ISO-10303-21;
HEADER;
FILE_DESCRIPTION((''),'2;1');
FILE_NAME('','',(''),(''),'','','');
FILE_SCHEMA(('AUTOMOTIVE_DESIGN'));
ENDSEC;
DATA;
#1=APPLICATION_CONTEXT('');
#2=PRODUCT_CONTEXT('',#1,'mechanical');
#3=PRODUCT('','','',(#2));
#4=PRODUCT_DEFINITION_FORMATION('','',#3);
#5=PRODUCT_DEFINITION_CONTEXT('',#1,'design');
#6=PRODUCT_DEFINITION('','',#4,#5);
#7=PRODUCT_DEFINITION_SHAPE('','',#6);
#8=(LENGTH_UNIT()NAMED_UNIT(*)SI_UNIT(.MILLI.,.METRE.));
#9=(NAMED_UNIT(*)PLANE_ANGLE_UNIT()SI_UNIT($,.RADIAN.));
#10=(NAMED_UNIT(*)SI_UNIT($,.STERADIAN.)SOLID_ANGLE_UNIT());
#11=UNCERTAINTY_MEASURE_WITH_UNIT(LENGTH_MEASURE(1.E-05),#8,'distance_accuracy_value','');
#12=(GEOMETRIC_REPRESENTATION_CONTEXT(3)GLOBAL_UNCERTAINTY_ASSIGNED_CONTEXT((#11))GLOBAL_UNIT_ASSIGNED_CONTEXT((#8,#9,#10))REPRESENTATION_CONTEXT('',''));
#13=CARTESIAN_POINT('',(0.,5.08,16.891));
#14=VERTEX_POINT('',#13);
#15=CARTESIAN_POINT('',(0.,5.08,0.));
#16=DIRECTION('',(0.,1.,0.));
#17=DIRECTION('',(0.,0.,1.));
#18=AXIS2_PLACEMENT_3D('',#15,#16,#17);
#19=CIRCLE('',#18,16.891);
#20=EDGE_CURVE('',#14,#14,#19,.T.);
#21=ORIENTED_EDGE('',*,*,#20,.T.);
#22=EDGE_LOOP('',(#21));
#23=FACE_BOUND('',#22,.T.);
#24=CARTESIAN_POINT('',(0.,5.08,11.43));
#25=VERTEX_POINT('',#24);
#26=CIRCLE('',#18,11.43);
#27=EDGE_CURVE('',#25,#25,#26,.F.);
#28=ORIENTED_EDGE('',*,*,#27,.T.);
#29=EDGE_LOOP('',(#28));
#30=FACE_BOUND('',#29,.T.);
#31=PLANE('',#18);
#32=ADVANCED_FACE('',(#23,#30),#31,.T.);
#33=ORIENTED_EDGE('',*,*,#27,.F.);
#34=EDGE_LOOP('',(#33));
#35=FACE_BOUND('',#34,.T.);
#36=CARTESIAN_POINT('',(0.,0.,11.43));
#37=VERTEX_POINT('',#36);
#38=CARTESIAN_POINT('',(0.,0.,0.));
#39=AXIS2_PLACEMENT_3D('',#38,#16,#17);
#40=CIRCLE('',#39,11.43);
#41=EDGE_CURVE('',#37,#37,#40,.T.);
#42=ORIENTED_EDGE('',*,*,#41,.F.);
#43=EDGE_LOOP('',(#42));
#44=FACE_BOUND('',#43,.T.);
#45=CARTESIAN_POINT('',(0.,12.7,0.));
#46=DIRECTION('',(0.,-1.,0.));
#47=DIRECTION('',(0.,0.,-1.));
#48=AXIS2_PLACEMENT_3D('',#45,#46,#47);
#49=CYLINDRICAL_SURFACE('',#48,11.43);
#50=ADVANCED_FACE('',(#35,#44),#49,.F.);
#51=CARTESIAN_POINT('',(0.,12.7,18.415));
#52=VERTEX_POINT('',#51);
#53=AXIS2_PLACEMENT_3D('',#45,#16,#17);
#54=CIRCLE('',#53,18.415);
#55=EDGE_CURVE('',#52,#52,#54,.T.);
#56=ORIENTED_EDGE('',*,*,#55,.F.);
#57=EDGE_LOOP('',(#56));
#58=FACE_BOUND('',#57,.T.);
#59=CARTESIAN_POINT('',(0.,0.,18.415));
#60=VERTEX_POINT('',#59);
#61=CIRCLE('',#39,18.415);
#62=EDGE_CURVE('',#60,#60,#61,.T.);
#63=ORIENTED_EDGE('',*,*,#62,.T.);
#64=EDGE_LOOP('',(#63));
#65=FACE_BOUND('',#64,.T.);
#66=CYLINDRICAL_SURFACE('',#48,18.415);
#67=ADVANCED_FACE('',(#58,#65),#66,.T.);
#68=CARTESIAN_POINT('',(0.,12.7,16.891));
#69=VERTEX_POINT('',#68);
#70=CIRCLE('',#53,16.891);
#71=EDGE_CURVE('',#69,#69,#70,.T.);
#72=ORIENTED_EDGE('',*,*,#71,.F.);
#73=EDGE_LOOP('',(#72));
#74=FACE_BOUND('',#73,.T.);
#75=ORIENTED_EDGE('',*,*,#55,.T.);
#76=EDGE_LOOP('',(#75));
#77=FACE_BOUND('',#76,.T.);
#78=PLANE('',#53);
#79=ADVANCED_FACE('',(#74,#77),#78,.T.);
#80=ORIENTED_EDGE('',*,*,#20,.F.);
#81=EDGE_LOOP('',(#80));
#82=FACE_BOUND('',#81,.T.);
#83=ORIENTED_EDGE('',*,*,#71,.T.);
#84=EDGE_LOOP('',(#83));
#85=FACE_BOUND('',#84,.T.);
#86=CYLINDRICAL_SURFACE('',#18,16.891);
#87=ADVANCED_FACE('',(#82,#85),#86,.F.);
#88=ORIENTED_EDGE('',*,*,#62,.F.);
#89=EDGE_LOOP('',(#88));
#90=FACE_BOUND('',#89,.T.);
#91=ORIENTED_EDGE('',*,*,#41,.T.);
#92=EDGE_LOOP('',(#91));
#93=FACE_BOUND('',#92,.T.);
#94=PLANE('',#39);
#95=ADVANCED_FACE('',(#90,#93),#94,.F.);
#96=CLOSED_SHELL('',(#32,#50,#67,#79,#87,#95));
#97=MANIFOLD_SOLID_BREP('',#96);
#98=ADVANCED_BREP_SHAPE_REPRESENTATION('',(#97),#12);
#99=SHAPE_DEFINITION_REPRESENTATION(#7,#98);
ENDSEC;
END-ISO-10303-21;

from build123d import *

# Parameters (mm, degrees)
SKETCH1_R               = 18.415
BOSS_EXTRUDE1_DEPTH     = 12.7
SKETCH2_R               = 16.891
CUT_EXTRUDE1_DEPTH      = 7.62
SKETCH3_R               = 11.43
CUT_EXTRUDE2_DEPTH      = 8.62
CUT_EXTRUDE2_DEPTH_BACK = 6.08


with BuildPart() as part:
    # Sketch1 → Boss-Extrude1 (new body)
    with BuildSketch(Plane(origin=(0, 0, 0), x_dir=(1, 0, 0), z_dir=(0, 1, 0))):
        Circle(SKETCH1_R)
    extrude(amount=BOSS_EXTRUDE1_DEPTH)

    # Sketch2 → Cut-Extrude1 (cut)
    with BuildSketch(Plane(origin=(0, 12.7, 0), x_dir=(1, 0, 0), z_dir=(0, 1, 0))):
        Circle(SKETCH2_R)
    extrude(amount=-CUT_EXTRUDE1_DEPTH, mode=Mode.SUBTRACT)

    # Sketch3 → Cut-Extrude2 (cut, two sides)
    with BuildSketch(Plane(origin=(0, 5.08, 0), x_dir=(1, 0, 0), z_dir=(0, 1, 0))) as cut_extrude2_sk:
        Circle(SKETCH3_R)
    extrude(amount=CUT_EXTRUDE2_DEPTH, mode=Mode.SUBTRACT)
    extrude(cut_extrude2_sk.sketch, amount=-CUT_EXTRUDE2_DEPTH_BACK, mode=Mode.SUBTRACT)


solid = part.part
